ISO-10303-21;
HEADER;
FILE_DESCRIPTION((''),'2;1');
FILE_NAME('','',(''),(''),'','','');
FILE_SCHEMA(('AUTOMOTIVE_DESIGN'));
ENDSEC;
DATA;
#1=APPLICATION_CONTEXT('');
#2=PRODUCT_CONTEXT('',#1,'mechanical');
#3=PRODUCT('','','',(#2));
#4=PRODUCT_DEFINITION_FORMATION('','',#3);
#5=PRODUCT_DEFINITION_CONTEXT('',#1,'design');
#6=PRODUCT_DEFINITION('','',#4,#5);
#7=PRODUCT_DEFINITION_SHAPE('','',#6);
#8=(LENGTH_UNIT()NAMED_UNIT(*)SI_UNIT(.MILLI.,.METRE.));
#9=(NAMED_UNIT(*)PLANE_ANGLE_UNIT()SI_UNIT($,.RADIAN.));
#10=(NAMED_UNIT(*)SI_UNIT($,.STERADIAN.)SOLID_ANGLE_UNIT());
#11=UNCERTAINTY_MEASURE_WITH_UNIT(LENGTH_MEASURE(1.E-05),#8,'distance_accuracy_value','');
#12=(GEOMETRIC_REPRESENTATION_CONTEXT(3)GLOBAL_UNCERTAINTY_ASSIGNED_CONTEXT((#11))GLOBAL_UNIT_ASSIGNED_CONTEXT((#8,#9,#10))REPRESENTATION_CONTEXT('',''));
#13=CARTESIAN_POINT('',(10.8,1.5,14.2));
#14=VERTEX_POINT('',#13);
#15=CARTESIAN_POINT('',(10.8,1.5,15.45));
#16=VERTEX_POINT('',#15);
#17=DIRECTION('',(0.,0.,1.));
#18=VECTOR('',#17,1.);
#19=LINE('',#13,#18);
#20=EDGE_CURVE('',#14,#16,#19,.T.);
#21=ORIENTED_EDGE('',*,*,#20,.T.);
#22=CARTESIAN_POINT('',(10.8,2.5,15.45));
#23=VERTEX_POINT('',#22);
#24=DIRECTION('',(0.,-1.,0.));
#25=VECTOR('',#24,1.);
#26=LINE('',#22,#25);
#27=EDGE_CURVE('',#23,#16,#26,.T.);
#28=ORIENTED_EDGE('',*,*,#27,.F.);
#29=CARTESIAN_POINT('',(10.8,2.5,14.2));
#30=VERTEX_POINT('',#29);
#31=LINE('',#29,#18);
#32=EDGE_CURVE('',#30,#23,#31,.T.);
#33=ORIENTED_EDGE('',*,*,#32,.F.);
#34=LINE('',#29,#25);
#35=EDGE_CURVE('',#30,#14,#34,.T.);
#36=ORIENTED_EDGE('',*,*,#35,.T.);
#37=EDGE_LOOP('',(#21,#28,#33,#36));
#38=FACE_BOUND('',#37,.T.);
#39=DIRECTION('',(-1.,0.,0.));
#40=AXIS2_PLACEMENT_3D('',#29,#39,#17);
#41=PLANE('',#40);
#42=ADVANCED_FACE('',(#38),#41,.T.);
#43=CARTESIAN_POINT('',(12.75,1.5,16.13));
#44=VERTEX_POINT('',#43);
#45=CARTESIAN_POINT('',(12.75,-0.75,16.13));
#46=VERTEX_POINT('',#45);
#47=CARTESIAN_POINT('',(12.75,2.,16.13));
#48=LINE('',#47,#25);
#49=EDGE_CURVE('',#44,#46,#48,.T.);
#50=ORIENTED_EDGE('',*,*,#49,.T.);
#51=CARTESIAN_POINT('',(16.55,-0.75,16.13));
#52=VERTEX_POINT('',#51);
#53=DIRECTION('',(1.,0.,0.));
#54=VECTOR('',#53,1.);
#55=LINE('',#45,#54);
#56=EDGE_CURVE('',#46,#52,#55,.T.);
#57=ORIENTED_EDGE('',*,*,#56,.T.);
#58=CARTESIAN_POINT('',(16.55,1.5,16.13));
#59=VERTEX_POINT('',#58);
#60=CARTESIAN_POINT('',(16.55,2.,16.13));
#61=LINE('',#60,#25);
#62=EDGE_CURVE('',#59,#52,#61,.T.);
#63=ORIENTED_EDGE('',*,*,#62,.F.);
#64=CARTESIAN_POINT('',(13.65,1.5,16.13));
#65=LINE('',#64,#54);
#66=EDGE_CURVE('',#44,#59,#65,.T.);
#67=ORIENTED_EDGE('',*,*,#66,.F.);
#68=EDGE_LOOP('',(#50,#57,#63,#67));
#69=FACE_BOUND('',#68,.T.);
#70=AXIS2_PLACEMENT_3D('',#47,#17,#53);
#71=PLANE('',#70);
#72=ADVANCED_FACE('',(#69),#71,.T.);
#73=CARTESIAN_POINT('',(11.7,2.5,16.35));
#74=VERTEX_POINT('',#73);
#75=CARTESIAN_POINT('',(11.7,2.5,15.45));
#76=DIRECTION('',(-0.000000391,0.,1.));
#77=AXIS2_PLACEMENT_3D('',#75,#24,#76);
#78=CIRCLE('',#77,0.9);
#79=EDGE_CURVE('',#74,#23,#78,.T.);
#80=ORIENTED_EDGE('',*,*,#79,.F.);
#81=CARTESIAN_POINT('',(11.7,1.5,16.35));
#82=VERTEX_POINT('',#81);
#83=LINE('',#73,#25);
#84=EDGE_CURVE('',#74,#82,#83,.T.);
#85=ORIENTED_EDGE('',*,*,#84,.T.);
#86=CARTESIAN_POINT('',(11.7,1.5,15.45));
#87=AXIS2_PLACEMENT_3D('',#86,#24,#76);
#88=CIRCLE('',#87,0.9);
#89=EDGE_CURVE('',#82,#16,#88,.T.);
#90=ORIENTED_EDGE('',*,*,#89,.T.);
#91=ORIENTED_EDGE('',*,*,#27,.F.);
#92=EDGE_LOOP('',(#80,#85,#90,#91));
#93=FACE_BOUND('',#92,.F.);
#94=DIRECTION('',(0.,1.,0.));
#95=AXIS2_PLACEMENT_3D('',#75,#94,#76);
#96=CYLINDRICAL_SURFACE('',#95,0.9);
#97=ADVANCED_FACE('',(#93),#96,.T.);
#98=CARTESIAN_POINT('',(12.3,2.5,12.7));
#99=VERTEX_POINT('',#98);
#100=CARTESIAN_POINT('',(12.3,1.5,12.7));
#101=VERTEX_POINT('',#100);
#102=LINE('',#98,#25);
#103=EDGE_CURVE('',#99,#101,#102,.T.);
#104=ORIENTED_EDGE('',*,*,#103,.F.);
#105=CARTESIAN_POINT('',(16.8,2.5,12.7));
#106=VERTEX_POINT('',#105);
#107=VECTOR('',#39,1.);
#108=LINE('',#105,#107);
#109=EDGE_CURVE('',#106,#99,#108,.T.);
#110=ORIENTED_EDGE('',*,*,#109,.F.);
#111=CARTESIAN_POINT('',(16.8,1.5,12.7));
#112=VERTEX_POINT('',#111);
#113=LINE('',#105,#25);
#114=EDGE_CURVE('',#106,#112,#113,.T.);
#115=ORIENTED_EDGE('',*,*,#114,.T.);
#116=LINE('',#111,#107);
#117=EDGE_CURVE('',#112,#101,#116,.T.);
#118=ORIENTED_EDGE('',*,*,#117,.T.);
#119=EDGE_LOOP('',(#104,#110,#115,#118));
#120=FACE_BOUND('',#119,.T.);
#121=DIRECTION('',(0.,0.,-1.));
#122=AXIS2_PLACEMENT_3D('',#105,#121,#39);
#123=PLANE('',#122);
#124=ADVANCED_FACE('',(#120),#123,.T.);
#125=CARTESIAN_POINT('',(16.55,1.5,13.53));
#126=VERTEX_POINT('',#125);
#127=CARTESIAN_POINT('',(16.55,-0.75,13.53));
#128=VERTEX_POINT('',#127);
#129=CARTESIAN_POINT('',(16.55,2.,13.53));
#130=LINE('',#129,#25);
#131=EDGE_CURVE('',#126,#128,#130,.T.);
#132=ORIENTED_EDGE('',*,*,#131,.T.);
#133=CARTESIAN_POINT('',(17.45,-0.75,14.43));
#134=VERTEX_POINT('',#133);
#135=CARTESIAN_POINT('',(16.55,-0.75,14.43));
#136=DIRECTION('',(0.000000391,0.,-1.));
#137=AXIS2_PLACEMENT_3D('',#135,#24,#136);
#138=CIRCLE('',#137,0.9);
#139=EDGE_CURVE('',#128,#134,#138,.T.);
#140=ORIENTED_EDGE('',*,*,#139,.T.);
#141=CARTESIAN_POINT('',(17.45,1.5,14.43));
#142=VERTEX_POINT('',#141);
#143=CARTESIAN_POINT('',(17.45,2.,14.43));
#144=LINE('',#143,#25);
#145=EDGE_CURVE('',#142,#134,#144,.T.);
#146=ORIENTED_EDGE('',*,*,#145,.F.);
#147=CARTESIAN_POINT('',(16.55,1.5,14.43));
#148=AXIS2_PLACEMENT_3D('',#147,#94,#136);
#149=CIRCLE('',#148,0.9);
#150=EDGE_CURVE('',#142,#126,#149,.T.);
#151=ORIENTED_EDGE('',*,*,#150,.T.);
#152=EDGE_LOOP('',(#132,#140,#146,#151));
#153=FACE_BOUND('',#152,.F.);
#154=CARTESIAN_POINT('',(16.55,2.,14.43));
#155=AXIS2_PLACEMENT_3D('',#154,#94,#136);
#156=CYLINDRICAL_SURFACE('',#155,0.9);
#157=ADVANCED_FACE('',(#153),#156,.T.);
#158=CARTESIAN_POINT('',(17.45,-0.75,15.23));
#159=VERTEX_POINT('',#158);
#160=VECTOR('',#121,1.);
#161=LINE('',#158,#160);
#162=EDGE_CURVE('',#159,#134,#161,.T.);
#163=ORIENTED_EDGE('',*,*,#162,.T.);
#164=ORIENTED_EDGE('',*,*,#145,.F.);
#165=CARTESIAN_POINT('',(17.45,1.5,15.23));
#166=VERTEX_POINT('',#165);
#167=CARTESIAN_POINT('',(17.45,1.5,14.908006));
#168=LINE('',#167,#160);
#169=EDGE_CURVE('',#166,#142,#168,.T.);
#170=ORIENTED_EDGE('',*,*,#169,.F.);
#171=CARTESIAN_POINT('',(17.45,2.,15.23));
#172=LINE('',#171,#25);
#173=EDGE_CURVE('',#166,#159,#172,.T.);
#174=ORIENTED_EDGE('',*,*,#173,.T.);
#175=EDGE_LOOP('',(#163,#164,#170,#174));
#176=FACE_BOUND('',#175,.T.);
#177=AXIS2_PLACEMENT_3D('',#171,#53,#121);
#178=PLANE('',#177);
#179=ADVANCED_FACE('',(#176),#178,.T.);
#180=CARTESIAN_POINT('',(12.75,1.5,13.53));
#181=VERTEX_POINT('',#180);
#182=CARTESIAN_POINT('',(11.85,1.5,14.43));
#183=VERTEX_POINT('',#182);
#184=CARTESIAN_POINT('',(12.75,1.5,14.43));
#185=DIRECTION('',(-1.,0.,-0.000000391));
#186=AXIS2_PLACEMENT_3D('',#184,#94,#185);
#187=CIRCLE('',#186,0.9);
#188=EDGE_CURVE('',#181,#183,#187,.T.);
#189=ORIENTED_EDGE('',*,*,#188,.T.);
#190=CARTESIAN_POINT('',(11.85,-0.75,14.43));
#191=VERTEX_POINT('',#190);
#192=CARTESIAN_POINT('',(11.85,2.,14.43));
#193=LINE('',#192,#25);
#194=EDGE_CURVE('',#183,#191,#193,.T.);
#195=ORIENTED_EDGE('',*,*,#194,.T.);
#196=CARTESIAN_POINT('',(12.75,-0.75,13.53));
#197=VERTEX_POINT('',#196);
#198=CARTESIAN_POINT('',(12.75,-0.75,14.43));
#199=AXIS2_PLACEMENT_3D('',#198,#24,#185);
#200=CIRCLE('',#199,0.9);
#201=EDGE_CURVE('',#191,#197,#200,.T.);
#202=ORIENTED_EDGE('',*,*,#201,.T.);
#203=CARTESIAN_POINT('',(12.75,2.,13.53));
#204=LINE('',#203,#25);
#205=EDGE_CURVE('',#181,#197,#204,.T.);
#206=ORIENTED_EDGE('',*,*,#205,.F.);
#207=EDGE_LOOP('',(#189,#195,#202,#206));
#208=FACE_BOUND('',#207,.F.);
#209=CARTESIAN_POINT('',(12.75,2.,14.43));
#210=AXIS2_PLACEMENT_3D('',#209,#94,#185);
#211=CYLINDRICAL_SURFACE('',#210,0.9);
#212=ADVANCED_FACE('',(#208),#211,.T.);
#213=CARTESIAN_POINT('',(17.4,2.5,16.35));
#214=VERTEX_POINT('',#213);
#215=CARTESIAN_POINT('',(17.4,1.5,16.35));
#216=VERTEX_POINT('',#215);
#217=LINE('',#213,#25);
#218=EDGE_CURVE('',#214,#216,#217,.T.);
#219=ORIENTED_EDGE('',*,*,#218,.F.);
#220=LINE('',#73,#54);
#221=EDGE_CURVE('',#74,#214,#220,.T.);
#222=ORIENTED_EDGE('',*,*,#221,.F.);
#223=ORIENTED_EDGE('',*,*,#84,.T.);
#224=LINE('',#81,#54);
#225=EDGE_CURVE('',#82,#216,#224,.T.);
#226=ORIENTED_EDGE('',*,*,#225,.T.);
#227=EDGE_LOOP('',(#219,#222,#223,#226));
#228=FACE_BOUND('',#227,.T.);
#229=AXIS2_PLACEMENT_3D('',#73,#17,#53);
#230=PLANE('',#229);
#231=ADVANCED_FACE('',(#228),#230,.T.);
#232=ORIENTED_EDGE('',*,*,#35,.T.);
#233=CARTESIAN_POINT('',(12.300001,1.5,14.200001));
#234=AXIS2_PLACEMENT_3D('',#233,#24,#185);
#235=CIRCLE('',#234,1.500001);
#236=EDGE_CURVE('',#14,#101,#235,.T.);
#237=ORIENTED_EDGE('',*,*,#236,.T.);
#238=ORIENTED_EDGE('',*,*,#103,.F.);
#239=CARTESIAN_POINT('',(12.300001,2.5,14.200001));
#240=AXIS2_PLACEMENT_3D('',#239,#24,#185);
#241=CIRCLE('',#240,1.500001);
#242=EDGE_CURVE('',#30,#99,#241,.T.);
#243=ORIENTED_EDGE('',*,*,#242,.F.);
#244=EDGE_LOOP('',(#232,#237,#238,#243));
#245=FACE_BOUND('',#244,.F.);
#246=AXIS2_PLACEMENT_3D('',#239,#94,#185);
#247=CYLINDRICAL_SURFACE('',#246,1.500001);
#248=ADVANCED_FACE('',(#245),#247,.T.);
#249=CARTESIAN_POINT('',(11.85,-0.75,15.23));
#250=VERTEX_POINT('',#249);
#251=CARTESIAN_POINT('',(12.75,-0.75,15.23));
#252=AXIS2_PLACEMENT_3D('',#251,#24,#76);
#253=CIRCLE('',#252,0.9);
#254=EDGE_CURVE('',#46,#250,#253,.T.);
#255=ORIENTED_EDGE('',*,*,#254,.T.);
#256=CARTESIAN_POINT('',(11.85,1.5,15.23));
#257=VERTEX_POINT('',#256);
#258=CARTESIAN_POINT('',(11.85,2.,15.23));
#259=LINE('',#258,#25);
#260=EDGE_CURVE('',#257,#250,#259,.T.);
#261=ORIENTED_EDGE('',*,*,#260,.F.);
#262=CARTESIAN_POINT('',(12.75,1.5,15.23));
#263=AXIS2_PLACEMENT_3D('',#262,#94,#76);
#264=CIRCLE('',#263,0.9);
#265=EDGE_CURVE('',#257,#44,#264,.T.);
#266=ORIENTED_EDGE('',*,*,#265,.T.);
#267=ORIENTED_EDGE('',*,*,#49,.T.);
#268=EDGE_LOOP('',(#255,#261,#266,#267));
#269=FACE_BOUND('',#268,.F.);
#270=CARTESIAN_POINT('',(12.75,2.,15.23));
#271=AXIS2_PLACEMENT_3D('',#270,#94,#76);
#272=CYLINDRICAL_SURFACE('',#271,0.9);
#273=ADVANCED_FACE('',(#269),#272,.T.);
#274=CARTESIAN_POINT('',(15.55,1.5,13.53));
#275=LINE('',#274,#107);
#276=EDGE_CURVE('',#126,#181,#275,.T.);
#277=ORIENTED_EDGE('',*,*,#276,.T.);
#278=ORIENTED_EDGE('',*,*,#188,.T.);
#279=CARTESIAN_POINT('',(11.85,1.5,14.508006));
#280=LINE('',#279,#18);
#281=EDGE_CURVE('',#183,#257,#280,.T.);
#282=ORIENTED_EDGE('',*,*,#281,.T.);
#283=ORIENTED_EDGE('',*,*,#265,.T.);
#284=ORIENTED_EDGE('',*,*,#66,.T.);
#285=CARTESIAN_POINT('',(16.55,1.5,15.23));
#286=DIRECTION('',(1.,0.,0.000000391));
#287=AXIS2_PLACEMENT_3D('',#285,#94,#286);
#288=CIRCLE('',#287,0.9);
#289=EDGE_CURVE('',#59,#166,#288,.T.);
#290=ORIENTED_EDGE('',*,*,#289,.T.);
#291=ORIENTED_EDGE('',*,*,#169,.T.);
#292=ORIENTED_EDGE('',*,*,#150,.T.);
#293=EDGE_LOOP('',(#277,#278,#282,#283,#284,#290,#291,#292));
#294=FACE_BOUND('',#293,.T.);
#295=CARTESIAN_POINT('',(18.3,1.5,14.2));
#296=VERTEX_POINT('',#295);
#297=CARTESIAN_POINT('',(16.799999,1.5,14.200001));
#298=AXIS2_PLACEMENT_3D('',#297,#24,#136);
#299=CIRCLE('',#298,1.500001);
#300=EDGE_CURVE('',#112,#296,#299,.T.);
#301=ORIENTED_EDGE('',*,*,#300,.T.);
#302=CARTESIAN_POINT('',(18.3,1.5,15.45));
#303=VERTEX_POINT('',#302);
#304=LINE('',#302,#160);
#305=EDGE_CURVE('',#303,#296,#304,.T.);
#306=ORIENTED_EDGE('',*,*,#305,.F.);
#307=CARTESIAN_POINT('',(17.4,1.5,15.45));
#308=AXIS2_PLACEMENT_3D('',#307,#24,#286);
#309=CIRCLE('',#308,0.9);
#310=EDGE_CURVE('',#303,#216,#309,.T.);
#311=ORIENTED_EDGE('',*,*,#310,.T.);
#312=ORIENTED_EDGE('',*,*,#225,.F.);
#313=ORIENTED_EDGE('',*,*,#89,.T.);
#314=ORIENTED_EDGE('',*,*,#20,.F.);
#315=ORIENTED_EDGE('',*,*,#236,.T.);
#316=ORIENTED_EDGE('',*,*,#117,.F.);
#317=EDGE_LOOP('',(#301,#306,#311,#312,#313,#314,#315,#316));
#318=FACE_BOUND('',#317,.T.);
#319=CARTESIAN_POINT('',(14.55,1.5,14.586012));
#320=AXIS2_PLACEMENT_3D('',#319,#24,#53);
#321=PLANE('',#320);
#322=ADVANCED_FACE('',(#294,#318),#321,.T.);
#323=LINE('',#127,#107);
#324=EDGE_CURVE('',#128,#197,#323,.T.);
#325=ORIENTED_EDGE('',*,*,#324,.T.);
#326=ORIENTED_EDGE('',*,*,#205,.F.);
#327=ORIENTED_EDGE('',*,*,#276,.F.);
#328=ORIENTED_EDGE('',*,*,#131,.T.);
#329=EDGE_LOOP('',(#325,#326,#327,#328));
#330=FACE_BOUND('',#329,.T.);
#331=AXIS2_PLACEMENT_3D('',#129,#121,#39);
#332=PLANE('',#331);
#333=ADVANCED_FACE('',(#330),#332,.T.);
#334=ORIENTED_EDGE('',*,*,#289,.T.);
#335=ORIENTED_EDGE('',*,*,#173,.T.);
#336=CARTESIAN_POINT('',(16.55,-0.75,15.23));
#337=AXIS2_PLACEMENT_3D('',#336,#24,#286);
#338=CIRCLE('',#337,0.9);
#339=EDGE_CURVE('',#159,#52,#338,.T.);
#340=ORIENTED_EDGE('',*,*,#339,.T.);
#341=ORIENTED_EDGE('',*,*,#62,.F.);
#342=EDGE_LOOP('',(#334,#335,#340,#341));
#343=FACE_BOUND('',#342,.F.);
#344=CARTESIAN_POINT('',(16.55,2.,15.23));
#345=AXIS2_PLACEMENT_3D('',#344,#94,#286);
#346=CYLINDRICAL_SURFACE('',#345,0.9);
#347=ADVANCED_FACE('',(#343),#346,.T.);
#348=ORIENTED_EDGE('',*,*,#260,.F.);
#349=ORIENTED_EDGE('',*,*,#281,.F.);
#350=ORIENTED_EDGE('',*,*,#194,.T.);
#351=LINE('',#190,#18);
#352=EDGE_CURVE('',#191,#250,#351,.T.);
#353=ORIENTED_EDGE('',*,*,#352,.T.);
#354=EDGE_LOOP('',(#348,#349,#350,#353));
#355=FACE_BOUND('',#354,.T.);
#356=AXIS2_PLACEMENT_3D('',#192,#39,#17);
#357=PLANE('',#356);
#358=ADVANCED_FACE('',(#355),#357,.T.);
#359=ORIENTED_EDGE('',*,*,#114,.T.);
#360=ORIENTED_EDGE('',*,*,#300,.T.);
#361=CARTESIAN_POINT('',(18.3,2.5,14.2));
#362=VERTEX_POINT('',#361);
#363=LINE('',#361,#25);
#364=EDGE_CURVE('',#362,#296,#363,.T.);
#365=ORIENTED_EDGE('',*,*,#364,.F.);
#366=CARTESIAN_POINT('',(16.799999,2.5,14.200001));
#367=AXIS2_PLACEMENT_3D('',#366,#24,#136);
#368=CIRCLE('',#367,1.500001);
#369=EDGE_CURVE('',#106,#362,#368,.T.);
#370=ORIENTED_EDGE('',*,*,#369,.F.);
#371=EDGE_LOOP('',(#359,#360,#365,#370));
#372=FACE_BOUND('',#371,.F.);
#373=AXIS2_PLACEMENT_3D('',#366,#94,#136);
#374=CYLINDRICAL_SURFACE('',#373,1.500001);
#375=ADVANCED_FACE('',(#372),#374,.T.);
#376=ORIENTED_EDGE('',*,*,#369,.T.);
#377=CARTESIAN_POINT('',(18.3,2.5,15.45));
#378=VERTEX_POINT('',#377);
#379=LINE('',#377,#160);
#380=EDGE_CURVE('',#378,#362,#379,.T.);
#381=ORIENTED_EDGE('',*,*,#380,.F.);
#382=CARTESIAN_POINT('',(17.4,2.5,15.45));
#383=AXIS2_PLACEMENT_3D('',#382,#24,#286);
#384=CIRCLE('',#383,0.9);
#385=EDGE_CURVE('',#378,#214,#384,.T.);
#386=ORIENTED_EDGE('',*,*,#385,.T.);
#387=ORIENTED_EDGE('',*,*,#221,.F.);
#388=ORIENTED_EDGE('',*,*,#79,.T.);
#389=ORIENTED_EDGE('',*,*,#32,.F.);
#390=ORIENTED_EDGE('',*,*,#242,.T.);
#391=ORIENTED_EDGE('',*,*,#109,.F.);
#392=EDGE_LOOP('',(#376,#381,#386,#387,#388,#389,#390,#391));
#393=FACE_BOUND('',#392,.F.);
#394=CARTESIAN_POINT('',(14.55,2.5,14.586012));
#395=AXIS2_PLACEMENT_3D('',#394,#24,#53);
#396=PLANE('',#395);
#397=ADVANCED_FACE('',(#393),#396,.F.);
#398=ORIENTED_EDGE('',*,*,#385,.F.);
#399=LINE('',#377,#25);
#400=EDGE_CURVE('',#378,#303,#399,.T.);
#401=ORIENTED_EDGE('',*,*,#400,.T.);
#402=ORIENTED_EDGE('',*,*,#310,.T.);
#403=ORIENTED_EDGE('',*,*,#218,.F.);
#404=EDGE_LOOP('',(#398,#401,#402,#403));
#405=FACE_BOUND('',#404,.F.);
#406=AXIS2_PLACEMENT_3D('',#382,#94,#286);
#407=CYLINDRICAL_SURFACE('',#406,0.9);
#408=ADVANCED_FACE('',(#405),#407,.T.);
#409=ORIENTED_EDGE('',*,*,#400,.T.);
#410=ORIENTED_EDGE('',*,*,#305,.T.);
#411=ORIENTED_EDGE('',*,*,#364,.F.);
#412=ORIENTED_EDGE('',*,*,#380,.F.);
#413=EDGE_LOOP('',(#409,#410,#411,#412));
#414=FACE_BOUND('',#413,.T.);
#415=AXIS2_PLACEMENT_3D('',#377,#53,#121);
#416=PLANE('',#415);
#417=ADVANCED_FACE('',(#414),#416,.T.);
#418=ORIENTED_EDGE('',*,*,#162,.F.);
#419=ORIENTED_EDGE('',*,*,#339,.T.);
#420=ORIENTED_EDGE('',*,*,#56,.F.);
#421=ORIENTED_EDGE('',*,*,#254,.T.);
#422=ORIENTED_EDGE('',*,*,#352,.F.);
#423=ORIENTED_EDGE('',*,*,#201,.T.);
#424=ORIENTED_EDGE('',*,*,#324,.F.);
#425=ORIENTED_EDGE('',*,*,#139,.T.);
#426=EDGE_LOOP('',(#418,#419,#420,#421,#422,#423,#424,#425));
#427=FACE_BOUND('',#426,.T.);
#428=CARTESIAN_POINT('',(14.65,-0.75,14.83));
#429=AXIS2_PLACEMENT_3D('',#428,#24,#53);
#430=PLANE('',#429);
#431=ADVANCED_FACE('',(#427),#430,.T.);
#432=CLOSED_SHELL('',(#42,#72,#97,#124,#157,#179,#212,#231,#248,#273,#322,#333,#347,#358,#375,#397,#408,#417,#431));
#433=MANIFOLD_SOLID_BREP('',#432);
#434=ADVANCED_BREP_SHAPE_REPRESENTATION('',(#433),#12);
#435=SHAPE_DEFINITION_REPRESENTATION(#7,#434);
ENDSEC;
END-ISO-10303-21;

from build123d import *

# Parameters (mm, degrees)
EXTRUDE015_DEPTH = 1
EXTRUDE014_DEPTH = 2.75


with BuildPart() as extrude015:
    # Sketch015 → Extrude015 (new body)
    with BuildSketch(Plane.XZ):
        with BuildLine():
            ThreePointArc((11.7, 16.35), (11.063604, 16.086396), (10.8, 15.45))
            Line((10.8, 14.2), (10.8, 15.45))
            ThreePointArc((10.8, 14.2), (11.23934, 13.13934), (12.3, 12.7))
            Line((16.8, 12.7), (12.3, 12.7))
            ThreePointArc((16.8, 12.7), (17.86066, 13.13934), (18.3, 14.2))
            Line((18.3, 15.45), (18.3, 14.2))
            ThreePointArc((18.3, 15.45), (18.036396, 16.086396), (17.4, 16.35))
            Line((11.7, 16.35), (17.4, 16.35))
        make_face()
    extrude(amount=EXTRUDE015_DEPTH)


with BuildPart() as extrude015_1:
    # Extrude015 placement: moved
    add(extrude015.part.moved(Location((0, 2.5, 0))))


with BuildPart() as button1:
    # Sketch014 → Extrude014 (new body)
    with BuildSketch(Plane.XZ):
        with BuildLine():
            ThreePointArc((12.75, 16.13), (12.113604, 15.866396), (11.85, 15.23))
            Line((11.85, 14.43), (11.85, 15.23))
            ThreePointArc((11.85, 14.43), (12.113604, 13.793604), (12.75, 13.53))
            Line((16.55, 13.53), (12.75, 13.53))
            ThreePointArc((16.55, 13.53), (17.186396, 13.793604), (17.45, 14.43))
            Line((17.45, 15.23), (17.45, 14.43))
            ThreePointArc((17.45, 15.23), (17.186396, 15.866396), (16.55, 16.13))
            Line((12.75, 16.13), (16.55, 16.13))
        make_face()
    extrude(amount=EXTRUDE014_DEPTH)


with BuildPart() as button1_1:
    # Extrude014 placement: moved
    add(button1.part.moved(Location((0, 2, 0))))

    # Fusion018: union Extrude015
    add(extrude015_1.part)


solid = button1_1.part
